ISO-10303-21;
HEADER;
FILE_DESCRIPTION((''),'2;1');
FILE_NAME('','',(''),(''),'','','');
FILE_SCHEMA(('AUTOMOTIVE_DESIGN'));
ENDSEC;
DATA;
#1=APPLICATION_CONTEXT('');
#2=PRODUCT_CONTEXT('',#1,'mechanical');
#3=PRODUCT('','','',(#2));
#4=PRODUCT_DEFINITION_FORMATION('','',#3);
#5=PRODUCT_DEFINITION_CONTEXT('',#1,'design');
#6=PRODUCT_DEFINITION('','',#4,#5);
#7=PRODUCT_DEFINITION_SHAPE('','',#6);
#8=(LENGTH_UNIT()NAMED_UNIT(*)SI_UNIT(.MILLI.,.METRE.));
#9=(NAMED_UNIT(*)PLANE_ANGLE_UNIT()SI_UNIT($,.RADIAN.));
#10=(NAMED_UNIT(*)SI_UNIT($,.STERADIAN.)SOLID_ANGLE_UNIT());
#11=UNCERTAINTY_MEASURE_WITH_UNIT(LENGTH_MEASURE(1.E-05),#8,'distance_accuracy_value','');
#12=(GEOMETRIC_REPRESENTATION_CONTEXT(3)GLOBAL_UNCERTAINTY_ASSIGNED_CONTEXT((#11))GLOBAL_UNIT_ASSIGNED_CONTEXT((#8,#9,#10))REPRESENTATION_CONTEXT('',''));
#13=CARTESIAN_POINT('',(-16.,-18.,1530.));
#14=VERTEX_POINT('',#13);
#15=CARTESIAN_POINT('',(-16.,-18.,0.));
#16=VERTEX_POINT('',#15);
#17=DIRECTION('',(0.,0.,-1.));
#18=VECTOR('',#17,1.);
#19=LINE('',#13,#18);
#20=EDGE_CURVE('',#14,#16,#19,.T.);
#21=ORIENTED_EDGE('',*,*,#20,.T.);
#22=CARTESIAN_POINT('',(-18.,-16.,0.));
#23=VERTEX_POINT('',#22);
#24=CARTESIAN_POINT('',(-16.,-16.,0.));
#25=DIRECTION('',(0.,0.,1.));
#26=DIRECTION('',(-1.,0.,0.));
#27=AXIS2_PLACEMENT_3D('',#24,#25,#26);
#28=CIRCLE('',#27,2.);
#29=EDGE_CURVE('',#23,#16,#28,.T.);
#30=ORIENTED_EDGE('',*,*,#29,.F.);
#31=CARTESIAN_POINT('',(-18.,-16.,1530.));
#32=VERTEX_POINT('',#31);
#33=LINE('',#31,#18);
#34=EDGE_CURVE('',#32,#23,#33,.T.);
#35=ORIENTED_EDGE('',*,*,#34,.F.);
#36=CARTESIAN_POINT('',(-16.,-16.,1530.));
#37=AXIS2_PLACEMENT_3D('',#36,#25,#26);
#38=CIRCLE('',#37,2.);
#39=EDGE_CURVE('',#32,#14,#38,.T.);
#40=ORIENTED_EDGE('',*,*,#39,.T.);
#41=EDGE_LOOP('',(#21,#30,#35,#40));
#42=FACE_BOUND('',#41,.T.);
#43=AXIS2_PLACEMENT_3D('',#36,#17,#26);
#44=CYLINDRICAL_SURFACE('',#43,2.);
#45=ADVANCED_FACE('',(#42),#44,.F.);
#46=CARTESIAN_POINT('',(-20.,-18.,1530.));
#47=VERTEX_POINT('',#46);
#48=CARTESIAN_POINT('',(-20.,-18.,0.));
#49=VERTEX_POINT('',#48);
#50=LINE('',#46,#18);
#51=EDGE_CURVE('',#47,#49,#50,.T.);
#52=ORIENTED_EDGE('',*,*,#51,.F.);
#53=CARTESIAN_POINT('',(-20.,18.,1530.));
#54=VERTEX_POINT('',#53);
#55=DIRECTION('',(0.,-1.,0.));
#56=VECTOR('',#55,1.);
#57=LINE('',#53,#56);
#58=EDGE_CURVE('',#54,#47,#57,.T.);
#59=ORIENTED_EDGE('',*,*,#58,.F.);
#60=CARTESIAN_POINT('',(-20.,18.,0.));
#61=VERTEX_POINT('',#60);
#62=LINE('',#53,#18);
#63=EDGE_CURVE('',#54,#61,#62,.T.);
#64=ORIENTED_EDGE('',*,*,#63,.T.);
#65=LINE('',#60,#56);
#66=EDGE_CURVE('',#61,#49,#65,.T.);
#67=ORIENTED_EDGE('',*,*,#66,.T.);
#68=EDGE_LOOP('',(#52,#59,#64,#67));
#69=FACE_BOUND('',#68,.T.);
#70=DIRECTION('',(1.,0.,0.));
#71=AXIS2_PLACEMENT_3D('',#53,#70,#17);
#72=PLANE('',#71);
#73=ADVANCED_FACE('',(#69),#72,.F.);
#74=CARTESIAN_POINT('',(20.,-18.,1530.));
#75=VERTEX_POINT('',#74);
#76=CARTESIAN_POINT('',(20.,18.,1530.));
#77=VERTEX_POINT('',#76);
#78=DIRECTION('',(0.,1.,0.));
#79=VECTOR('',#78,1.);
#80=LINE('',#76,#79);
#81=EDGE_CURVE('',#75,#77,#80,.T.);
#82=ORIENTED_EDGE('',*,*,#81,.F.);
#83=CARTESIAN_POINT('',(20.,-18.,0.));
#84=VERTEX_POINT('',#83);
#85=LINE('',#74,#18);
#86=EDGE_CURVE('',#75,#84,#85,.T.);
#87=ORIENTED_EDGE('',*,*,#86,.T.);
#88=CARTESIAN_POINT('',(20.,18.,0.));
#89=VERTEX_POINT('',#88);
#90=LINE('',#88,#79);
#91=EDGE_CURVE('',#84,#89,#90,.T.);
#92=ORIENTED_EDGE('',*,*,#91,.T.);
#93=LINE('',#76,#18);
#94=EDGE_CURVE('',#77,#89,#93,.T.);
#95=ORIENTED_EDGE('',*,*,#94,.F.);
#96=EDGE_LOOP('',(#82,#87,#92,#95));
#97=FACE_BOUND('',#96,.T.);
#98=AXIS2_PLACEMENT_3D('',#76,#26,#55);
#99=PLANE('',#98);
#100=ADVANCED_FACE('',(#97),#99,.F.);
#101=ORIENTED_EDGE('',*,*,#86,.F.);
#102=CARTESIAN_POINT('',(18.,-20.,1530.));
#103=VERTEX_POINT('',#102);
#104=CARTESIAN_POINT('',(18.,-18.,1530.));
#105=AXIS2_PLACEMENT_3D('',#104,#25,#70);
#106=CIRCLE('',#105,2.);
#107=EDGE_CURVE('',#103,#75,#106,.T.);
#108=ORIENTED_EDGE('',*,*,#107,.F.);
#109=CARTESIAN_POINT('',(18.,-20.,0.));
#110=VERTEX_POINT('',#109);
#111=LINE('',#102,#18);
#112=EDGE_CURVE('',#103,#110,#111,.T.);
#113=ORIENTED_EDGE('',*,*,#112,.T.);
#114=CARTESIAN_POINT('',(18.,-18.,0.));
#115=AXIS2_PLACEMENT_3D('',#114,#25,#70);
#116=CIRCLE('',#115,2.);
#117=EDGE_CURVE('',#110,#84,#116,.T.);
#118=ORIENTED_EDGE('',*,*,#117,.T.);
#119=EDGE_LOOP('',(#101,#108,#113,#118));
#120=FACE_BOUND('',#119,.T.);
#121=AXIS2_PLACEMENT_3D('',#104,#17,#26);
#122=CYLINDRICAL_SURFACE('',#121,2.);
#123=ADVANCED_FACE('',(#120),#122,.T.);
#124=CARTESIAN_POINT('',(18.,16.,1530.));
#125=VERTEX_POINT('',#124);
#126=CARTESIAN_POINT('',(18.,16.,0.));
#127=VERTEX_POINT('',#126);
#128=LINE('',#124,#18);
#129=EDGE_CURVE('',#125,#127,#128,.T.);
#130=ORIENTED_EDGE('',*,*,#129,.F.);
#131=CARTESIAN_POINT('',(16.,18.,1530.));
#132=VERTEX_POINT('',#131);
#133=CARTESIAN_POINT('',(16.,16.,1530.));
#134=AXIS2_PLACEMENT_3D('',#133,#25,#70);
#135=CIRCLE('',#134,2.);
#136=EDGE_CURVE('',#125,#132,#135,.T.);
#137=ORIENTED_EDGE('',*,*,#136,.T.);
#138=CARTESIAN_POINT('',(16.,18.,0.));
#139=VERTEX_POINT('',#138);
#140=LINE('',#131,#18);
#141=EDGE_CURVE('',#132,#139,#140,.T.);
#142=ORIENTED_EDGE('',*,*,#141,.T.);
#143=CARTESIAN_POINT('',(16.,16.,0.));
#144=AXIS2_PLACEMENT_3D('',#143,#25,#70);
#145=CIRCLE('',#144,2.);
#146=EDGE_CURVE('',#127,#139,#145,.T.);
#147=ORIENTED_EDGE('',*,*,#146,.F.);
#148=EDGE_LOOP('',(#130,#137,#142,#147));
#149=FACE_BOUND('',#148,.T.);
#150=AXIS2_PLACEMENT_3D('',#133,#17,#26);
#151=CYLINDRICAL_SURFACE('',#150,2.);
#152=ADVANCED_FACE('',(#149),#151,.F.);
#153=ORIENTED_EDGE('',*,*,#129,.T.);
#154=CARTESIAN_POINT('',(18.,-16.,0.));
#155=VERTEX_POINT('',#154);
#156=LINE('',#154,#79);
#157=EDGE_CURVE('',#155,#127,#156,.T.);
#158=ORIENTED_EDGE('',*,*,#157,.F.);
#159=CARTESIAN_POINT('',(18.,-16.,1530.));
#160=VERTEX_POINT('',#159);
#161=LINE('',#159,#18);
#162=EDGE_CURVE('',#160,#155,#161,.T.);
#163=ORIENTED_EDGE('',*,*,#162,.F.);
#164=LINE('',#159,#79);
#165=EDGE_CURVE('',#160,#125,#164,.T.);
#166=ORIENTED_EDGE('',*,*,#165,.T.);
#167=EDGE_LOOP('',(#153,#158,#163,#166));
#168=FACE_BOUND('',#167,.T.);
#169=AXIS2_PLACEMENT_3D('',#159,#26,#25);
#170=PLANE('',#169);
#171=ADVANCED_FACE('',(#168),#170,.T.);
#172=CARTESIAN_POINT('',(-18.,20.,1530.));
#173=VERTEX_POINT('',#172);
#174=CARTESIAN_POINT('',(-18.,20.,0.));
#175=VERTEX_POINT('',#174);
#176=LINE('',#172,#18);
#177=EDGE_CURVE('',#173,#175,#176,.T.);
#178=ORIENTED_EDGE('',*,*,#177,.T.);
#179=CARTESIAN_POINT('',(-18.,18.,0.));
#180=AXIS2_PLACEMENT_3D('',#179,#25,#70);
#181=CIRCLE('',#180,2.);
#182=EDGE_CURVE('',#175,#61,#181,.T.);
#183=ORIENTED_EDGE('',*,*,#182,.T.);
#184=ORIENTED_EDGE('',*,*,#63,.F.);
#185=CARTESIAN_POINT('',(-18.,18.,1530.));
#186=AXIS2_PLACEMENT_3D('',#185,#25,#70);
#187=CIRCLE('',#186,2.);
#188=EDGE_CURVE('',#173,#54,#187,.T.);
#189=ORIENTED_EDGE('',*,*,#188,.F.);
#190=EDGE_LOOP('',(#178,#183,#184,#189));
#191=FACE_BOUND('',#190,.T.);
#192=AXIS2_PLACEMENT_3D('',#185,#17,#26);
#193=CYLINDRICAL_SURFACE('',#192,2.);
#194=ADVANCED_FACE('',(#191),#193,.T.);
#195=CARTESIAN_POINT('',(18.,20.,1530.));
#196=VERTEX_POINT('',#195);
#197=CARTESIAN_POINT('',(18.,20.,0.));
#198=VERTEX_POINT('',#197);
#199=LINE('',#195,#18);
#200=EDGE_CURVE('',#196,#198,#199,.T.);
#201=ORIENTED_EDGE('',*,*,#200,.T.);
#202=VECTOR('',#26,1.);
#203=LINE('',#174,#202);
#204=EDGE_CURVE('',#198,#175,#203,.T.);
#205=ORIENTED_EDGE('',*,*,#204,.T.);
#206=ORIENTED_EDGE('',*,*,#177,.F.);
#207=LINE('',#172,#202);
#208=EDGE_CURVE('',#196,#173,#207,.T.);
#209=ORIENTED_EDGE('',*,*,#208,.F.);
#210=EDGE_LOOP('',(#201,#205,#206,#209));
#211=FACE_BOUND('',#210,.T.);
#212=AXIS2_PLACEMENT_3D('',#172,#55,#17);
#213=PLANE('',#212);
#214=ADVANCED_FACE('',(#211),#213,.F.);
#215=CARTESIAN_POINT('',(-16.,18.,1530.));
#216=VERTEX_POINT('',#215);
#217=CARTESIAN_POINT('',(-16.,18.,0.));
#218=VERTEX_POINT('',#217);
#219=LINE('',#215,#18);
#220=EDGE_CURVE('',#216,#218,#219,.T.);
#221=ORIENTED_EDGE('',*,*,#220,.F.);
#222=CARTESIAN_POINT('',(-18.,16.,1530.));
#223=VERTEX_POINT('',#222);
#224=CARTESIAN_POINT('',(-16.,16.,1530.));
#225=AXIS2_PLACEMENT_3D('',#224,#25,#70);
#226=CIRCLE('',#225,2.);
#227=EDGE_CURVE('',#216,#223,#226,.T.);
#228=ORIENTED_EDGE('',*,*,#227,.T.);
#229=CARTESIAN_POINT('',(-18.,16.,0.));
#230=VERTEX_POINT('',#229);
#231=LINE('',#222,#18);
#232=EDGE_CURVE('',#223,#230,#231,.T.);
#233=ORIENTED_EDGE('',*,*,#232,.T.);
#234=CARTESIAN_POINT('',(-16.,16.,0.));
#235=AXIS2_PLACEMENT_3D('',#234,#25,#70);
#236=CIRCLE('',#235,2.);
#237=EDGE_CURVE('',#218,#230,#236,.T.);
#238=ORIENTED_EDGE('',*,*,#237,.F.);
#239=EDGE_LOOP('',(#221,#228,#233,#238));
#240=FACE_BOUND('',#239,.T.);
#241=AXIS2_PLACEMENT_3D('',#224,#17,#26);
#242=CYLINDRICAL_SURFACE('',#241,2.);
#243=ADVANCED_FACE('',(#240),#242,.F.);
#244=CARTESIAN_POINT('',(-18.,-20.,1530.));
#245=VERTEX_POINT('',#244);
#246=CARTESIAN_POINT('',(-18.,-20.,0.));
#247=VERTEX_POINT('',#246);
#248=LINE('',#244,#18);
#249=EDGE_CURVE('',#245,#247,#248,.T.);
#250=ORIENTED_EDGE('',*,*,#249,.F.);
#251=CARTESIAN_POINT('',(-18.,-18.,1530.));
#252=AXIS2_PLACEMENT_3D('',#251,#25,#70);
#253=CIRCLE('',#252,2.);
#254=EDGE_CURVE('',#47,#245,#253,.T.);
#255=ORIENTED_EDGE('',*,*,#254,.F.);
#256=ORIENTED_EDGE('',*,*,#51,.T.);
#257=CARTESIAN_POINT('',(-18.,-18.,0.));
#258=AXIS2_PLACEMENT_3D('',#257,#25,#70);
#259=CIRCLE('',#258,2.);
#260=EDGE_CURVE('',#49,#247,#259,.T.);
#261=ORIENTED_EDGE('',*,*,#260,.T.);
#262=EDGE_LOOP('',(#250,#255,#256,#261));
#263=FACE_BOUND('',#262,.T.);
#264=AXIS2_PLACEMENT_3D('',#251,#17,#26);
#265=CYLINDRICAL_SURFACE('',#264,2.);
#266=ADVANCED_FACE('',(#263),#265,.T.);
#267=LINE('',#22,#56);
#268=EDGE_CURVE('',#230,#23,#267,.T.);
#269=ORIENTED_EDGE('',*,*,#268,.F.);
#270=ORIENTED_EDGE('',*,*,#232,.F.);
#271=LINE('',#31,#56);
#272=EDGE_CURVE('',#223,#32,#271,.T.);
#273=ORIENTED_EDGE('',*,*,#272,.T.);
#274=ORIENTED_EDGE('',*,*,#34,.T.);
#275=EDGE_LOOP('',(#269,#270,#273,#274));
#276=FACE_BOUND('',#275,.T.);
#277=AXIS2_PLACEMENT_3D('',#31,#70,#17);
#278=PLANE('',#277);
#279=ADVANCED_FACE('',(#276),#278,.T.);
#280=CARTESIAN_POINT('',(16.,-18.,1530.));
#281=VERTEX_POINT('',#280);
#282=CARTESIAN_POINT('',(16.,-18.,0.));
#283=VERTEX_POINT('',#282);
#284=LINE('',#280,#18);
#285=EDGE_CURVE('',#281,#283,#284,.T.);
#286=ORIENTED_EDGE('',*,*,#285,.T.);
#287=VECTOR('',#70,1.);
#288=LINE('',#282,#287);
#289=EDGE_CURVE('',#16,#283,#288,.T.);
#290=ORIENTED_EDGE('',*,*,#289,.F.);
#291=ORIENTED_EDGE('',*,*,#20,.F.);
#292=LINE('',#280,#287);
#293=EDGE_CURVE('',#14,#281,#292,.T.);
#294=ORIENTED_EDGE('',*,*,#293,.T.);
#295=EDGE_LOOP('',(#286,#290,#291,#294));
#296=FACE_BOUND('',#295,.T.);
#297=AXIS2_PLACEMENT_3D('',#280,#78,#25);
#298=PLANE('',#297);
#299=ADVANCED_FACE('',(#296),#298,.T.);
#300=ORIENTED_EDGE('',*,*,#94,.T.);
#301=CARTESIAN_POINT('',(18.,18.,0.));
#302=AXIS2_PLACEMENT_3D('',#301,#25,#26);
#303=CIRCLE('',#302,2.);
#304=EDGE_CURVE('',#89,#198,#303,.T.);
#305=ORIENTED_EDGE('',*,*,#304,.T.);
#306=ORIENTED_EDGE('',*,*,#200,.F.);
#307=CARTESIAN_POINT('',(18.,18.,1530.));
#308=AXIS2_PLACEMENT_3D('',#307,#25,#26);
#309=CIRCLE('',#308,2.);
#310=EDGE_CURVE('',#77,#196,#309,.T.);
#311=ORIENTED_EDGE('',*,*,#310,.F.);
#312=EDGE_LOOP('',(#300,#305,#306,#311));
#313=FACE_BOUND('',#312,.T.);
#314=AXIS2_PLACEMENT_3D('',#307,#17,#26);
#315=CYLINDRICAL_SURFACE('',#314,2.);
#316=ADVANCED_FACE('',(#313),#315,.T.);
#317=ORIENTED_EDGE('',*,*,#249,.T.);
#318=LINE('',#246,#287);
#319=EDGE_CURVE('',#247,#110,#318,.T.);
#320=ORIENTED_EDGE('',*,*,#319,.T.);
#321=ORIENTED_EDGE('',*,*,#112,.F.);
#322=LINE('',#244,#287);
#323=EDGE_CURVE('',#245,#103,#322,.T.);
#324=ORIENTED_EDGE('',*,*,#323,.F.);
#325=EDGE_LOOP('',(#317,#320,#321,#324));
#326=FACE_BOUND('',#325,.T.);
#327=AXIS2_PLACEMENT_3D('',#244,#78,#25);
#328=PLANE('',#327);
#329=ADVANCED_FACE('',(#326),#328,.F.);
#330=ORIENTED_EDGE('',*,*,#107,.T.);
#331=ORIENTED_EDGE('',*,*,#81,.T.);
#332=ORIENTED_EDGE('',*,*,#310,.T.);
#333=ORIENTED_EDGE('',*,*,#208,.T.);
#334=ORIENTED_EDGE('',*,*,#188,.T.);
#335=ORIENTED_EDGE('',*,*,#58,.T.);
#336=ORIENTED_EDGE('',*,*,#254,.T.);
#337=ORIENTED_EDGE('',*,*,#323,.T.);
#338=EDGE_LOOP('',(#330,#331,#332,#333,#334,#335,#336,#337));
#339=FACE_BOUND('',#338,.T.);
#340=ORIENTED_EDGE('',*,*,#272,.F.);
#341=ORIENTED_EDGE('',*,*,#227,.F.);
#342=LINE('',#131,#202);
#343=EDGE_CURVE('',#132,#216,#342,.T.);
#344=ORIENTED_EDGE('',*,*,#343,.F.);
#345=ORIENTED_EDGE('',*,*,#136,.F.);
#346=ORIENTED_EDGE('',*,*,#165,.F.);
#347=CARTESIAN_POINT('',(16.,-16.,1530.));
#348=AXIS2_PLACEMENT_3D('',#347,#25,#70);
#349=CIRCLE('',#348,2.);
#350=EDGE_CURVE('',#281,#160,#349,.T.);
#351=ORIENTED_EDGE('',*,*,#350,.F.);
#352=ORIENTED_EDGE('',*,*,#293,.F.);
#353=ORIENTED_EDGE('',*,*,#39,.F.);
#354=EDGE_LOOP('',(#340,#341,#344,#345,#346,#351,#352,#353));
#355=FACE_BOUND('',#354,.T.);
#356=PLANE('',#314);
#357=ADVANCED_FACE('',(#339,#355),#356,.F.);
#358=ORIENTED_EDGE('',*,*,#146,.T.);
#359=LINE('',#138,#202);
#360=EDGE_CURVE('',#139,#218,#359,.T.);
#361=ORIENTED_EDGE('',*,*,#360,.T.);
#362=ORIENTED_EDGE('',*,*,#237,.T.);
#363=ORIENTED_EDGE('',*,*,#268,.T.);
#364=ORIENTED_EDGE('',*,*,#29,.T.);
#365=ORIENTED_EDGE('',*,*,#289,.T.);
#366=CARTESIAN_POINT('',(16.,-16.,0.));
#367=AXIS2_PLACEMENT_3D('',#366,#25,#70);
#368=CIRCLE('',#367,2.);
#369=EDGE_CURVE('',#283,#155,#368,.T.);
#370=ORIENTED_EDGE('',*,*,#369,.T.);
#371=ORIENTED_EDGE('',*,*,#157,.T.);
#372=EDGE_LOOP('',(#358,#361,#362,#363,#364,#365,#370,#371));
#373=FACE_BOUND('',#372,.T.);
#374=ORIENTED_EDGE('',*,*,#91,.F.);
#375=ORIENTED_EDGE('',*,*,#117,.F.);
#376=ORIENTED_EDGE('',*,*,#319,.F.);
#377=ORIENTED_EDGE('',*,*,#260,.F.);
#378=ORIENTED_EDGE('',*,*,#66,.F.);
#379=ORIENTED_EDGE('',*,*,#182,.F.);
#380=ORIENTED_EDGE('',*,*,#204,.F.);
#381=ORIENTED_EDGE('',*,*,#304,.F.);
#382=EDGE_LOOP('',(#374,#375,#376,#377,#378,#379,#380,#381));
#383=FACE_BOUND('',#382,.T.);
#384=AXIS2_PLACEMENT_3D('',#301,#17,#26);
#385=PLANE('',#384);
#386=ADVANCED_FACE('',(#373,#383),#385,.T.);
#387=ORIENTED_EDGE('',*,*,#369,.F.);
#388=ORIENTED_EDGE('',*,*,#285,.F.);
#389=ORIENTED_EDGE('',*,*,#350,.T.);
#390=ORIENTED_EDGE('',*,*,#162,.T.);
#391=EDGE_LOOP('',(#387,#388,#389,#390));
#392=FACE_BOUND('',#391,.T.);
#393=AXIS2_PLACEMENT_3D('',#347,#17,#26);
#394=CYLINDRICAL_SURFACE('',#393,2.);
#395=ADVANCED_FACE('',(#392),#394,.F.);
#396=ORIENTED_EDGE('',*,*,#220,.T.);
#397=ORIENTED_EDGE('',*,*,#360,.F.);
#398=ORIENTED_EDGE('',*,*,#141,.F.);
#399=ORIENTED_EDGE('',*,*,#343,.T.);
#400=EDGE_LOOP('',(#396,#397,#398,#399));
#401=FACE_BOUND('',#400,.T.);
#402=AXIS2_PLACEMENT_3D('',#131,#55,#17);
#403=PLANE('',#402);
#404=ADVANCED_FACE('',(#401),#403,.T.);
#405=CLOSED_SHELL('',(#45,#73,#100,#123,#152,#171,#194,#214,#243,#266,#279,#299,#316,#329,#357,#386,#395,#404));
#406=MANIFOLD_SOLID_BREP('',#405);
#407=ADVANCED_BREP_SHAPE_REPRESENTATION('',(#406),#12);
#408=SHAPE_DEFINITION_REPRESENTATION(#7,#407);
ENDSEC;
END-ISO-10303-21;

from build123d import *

# Parameters (mm, degrees)
EXTRUDE_1_DEPTH = 1530


with BuildPart() as part:
    # Эскиз1 → Бобышка-Вытянуть1 (new body)
    with BuildSketch(Plane.XY):
        with BuildLine():
            Line((-18, 20), (18, 20))
            ThreePointArc((18, 20), (19.414213562, 19.414213562), (20, 18))
            Line((20, 18), (20, -18))
            ThreePointArc((20, -18), (19.414213562, -19.414213562), (18, -20))
            Line((18, -20), (-18, -20))
            ThreePointArc((-18, -20), (-19.414213562, -19.414213562), (-20, -18))
            Line((-20, -18), (-20, 18))
            ThreePointArc((-20, 18), (-19.414213562, 19.414213562), (-18, 20))
        make_face()
        with BuildLine():
            Line((16, -18), (-16, -18))
            ThreePointArc((-16, -18), (-17.414213562, -17.414213562), (-18, -16))
            Line((-18, -16), (-18, 16))
            ThreePointArc((-18, 16), (-17.414213562, 17.414213562), (-16, 18))
            Line((-16, 18), (16, 18))
            ThreePointArc((16, 18), (17.414213562, 17.414213562), (18, 16))
            Line((18, 16), (18, -16))
            ThreePointArc((18, -16), (17.414213562, -17.414213562), (16, -18))
        make_face(mode=Mode.SUBTRACT)
    extrude(amount=EXTRUDE_1_DEPTH)


solid = part.part
